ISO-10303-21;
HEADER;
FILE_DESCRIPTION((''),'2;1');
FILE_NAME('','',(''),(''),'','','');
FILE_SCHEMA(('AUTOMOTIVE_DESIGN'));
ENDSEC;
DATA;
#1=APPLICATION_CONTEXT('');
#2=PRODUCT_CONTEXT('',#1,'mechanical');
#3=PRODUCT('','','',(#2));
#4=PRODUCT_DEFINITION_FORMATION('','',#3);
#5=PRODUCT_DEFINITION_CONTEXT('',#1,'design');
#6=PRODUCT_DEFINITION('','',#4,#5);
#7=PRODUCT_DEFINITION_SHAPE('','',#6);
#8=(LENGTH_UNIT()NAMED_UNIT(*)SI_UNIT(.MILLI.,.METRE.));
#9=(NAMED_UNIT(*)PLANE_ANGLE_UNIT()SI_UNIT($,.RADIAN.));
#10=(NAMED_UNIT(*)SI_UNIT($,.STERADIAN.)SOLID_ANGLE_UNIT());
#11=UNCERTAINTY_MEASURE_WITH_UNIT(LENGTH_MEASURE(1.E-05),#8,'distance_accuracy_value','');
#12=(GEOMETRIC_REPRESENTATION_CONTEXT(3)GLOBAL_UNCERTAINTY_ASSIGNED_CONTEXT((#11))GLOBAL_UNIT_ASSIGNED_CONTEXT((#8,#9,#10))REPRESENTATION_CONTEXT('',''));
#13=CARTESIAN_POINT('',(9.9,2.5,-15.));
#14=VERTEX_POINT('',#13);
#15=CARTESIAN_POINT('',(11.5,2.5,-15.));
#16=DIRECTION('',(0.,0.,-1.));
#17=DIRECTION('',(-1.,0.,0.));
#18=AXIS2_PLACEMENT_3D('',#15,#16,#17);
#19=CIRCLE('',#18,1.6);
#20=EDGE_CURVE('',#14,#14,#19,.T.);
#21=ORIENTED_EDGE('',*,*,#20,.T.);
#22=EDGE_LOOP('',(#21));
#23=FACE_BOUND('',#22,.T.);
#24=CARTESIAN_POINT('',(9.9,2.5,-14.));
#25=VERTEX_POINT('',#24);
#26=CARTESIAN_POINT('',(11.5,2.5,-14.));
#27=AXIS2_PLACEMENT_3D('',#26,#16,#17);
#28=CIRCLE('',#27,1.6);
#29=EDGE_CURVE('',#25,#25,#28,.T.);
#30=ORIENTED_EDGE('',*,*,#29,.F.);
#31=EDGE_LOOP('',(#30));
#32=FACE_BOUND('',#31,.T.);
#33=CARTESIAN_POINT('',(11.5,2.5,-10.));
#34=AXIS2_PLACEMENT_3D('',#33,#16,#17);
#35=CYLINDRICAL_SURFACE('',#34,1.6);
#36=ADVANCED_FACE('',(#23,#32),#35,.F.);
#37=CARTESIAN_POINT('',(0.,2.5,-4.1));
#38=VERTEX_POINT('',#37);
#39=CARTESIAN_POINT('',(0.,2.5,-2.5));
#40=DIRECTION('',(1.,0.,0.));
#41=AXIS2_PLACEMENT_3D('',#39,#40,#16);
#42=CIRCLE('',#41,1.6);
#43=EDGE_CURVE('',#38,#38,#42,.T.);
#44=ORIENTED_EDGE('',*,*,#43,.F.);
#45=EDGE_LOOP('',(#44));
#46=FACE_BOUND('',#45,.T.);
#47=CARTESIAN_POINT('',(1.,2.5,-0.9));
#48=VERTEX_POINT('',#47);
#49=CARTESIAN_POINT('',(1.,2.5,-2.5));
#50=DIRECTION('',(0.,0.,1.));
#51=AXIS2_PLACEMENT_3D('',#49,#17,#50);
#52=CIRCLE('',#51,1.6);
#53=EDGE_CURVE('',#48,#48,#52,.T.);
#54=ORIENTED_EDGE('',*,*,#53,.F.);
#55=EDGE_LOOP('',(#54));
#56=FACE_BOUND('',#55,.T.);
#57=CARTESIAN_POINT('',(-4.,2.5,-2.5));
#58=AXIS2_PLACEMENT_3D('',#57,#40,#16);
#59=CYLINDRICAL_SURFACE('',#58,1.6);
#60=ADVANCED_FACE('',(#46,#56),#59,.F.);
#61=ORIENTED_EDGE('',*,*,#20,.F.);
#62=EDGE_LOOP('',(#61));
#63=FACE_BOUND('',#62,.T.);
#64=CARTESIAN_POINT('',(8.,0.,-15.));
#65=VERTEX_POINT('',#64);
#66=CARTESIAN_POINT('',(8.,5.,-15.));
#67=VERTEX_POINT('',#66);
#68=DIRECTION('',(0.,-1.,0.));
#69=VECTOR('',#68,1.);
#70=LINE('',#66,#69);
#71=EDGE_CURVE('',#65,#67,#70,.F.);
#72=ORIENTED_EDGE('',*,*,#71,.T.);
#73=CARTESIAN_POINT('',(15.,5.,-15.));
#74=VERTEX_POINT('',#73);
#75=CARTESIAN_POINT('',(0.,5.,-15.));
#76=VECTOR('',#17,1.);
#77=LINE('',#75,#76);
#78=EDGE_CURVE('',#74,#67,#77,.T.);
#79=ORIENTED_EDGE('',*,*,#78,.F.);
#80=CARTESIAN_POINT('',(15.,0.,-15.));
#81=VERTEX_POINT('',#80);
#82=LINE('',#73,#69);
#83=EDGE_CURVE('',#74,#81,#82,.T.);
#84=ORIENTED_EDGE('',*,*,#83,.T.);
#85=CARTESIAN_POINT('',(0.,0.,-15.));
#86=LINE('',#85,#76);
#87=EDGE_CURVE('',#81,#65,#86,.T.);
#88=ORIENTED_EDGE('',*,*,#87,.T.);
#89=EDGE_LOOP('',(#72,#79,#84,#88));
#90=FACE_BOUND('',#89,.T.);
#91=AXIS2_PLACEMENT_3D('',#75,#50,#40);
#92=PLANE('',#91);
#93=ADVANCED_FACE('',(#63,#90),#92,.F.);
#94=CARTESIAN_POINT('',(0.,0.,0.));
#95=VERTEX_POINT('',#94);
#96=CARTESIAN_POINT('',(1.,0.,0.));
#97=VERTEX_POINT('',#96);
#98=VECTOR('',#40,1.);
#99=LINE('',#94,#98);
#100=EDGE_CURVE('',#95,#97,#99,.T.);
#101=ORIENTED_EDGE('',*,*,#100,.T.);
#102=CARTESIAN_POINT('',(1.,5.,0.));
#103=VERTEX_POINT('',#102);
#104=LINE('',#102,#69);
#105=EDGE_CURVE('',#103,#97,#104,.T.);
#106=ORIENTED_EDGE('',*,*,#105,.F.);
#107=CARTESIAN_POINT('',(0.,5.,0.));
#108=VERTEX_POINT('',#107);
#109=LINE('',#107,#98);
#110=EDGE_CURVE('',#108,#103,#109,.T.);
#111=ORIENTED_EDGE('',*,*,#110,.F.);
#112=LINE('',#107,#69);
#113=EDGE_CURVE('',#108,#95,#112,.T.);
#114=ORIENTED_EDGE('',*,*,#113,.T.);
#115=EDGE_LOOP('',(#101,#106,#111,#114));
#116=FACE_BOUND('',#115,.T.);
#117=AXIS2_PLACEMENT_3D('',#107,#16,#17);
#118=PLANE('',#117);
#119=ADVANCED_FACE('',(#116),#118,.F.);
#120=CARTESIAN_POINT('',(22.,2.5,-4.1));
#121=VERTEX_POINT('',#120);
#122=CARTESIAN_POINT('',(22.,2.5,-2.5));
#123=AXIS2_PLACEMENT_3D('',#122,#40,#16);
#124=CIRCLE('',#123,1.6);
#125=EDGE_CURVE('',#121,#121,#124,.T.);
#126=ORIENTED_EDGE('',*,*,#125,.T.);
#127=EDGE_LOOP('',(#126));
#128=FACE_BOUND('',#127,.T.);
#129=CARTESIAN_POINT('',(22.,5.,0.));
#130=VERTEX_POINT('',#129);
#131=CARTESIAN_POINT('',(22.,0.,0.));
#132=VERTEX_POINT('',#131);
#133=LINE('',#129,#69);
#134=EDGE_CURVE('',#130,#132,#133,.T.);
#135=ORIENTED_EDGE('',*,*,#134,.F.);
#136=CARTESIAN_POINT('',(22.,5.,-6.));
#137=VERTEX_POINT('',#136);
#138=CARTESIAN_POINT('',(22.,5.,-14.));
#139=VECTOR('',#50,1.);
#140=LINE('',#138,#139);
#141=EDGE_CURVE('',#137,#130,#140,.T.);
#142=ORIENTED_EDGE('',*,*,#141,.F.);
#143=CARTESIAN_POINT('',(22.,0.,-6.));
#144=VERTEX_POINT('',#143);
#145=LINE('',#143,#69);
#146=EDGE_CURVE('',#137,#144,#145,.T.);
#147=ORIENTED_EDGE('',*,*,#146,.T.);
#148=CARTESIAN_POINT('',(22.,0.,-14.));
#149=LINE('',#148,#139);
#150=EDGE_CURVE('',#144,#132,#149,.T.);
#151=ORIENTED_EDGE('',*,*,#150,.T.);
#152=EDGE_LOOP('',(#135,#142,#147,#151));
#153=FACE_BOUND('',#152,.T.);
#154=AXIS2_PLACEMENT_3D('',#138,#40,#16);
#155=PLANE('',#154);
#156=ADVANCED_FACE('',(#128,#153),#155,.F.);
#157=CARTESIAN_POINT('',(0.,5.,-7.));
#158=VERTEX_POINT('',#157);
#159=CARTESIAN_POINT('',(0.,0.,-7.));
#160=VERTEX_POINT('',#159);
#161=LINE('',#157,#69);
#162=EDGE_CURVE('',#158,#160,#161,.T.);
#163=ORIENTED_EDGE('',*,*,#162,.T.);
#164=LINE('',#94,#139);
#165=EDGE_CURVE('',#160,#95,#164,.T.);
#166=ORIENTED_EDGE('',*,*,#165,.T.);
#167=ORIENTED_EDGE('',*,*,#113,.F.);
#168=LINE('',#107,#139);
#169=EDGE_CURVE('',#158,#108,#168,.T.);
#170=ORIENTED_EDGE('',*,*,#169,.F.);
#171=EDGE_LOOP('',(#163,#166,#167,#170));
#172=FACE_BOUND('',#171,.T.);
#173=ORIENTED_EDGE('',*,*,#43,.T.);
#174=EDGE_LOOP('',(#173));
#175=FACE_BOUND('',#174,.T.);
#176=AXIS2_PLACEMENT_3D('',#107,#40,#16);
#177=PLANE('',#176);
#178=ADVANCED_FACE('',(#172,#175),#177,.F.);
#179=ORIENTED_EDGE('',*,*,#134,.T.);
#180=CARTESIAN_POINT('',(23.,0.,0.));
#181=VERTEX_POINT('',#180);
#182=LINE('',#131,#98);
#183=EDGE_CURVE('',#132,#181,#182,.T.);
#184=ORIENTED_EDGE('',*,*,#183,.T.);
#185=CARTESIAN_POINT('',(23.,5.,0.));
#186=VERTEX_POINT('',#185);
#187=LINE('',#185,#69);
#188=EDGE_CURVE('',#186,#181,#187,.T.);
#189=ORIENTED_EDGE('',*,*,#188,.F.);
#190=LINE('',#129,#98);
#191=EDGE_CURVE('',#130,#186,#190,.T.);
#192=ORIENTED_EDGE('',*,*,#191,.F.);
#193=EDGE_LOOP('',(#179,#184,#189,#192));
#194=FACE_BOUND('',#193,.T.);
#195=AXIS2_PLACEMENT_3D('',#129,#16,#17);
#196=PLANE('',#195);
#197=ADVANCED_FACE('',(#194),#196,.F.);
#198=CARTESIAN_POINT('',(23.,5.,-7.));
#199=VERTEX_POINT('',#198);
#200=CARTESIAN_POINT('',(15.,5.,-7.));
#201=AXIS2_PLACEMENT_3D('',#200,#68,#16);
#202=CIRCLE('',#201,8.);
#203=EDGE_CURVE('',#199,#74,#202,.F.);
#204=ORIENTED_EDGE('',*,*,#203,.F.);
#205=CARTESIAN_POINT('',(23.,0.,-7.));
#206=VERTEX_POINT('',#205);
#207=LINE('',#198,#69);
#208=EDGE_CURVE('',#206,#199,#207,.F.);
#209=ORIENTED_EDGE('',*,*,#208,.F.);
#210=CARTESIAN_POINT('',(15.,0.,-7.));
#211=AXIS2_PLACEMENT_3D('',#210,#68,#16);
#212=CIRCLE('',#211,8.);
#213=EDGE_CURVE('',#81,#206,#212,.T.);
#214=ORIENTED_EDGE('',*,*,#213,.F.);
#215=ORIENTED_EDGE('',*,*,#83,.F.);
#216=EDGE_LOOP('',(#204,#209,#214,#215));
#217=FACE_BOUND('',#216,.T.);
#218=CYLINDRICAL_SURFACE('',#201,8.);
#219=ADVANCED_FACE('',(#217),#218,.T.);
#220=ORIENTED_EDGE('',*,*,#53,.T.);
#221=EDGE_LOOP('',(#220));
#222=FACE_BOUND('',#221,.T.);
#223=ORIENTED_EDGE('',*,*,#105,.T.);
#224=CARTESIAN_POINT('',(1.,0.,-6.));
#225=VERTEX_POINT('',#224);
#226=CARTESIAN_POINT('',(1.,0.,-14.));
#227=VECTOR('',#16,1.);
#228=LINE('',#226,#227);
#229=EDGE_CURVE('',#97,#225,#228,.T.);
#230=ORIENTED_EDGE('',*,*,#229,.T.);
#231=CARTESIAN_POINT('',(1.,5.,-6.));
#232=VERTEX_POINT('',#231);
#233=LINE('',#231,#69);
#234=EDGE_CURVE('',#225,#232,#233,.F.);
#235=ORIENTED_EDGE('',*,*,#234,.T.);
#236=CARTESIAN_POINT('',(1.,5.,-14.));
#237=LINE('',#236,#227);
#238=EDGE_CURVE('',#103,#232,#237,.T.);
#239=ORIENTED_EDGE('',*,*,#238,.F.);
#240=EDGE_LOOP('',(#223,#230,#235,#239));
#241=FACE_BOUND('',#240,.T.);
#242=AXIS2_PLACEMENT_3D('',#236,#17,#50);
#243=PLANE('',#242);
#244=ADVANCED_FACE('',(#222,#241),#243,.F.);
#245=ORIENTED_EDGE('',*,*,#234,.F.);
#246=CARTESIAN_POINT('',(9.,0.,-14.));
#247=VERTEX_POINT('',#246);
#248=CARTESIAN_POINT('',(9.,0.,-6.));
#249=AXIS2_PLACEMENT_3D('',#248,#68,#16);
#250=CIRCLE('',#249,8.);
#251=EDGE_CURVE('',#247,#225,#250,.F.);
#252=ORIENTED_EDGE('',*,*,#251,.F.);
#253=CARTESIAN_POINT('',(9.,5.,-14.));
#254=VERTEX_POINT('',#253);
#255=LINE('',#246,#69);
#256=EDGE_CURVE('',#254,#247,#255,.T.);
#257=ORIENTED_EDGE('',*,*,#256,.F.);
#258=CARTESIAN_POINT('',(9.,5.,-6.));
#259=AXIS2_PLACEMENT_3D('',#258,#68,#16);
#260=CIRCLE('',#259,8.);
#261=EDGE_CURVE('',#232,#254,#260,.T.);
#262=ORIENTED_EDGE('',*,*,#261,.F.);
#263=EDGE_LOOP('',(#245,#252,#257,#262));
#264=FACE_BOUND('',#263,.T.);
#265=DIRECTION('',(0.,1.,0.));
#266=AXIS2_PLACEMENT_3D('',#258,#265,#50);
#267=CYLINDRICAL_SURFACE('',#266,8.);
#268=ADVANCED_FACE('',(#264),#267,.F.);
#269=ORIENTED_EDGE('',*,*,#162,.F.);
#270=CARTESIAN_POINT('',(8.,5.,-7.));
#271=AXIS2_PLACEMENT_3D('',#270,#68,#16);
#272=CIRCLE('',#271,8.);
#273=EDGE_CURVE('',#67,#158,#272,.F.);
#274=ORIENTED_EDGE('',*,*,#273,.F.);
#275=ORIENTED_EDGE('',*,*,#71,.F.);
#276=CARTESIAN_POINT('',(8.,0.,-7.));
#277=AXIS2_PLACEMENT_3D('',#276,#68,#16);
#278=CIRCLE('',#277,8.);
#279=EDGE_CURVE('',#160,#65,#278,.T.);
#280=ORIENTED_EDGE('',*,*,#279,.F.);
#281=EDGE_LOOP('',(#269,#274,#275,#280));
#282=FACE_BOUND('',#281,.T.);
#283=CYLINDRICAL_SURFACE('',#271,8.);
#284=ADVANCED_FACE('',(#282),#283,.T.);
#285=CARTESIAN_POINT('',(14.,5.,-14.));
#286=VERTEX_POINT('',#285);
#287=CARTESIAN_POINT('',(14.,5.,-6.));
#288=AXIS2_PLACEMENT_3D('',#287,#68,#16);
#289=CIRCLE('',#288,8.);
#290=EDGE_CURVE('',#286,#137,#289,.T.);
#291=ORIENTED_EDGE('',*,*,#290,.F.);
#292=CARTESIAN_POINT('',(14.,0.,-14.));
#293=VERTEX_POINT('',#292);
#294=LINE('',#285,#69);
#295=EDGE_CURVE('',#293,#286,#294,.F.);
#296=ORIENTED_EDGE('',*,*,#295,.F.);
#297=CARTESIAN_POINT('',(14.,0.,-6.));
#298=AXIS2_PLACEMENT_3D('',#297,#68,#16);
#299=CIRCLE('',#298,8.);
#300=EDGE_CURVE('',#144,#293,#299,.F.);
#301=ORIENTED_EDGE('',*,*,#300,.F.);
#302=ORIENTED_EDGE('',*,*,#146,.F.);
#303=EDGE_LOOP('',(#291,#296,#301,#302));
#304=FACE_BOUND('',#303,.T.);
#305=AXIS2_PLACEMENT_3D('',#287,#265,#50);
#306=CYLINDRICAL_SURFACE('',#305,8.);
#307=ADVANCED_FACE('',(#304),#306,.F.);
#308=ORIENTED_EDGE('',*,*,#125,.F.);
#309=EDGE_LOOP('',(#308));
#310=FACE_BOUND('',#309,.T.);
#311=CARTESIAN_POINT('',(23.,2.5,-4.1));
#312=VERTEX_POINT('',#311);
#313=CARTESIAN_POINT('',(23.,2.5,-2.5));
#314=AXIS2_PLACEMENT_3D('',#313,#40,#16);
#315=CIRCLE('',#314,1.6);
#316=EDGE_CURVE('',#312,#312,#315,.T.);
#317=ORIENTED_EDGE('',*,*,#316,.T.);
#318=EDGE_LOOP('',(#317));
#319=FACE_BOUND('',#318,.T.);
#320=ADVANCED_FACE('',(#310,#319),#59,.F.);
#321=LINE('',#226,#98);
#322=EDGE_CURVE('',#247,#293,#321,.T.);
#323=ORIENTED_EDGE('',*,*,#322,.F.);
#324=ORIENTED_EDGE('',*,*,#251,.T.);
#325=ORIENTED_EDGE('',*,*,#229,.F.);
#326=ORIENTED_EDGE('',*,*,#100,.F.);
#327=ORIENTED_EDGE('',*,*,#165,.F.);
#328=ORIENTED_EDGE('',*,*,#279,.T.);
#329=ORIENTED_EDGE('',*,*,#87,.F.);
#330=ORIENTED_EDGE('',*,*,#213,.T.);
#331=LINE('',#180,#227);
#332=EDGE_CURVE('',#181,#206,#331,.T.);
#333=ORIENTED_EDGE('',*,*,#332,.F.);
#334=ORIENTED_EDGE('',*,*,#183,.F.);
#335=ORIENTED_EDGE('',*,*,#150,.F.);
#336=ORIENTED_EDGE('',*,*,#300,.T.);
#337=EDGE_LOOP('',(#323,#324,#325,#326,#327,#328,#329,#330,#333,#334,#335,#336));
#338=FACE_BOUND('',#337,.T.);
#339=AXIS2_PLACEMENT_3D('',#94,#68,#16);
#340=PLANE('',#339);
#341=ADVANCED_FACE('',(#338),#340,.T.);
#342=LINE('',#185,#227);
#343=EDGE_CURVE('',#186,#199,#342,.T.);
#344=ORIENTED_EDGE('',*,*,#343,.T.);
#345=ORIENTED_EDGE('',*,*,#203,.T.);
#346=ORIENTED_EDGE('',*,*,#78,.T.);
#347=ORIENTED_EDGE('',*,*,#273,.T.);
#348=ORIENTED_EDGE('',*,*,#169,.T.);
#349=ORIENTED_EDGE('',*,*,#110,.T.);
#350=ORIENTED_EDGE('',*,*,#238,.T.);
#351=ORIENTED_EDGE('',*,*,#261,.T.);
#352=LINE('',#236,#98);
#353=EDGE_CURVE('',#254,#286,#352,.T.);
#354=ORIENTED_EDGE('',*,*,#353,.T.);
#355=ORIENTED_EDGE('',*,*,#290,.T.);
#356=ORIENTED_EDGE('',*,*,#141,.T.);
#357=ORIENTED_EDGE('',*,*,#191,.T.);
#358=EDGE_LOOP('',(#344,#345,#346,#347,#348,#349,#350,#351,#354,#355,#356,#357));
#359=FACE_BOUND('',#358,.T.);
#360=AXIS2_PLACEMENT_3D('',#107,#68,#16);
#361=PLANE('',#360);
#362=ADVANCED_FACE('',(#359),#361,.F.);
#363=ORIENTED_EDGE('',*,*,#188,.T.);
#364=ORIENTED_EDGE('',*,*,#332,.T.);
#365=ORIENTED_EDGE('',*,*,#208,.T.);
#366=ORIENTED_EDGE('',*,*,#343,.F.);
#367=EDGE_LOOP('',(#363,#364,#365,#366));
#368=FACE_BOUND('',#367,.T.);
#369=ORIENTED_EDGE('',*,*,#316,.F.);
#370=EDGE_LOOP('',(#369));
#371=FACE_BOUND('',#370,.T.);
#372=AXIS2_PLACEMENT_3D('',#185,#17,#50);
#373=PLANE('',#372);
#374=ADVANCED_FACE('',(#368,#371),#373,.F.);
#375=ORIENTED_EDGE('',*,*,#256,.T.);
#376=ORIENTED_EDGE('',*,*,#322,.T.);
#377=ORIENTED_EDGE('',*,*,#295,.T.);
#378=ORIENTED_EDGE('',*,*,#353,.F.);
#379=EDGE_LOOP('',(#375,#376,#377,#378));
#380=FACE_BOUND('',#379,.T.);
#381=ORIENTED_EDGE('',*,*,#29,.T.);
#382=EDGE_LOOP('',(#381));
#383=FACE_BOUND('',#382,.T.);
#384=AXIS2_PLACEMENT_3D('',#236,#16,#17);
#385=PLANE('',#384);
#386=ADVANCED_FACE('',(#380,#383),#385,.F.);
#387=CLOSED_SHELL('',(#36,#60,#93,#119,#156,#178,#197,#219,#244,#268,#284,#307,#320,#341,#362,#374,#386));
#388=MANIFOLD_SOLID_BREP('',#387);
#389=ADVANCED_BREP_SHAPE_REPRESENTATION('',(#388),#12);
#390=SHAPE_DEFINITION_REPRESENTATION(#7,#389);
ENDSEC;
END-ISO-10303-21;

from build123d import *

# Parameters (mm, degrees)
BOSS_EXTRUDE1_DEPTH = 5
SKETCH2_R           = 1.6
CUT_EXTRUDE1_DEPTH  = 5
SKETCH3_R           = 1.6
CUT_EXTRUDE2_DEPTH  = 27
FILLET1_R           = 8


with BuildPart() as part:
    # Sketch1 → Boss-Extrude1 (new body)
    with BuildSketch(Plane(origin=(0, 0, 0), x_dir=(1, 0, 0), z_dir=(0, 1, 0))):
        Polygon((0, 0), (1, 0), (1, 14), (22, 14), (22, 0), (23, 0), (23, 15), (0, 15), align=None)
    extrude(amount=BOSS_EXTRUDE1_DEPTH)

    # Sketch2 → Cut-Extrude1 (cut)
    with BuildSketch(Plane(origin=(0, 0, -15), x_dir=(-1, 0, 0), z_dir=(0, 0, -1))):
        with Locations((-11.5, 2.5)):
            Circle(SKETCH2_R)
    extrude(amount=-CUT_EXTRUDE1_DEPTH, mode=Mode.SUBTRACT)

    # Sketch3 → Cut-Extrude2 (cut)
    with BuildSketch(Plane(origin=(23, 0, 0), x_dir=(0, 0, -1), z_dir=(1, 0, 0))):
        with Locations((2.5, 2.5)):
            Circle(SKETCH3_R)
    extrude(amount=-CUT_EXTRUDE2_DEPTH, mode=Mode.SUBTRACT)

    # Fillet1
    fillet1_edges = [part.edges().sort_by_distance(p)[0] for p in [
        (0, 2.5, -15),
        (23, 2.5, -15),
        (22, 2.5, -14),
        (1, 2.5, -14),
    ]]
    fillet(fillet1_edges, radius=FILLET1_R)


solid = part.part
